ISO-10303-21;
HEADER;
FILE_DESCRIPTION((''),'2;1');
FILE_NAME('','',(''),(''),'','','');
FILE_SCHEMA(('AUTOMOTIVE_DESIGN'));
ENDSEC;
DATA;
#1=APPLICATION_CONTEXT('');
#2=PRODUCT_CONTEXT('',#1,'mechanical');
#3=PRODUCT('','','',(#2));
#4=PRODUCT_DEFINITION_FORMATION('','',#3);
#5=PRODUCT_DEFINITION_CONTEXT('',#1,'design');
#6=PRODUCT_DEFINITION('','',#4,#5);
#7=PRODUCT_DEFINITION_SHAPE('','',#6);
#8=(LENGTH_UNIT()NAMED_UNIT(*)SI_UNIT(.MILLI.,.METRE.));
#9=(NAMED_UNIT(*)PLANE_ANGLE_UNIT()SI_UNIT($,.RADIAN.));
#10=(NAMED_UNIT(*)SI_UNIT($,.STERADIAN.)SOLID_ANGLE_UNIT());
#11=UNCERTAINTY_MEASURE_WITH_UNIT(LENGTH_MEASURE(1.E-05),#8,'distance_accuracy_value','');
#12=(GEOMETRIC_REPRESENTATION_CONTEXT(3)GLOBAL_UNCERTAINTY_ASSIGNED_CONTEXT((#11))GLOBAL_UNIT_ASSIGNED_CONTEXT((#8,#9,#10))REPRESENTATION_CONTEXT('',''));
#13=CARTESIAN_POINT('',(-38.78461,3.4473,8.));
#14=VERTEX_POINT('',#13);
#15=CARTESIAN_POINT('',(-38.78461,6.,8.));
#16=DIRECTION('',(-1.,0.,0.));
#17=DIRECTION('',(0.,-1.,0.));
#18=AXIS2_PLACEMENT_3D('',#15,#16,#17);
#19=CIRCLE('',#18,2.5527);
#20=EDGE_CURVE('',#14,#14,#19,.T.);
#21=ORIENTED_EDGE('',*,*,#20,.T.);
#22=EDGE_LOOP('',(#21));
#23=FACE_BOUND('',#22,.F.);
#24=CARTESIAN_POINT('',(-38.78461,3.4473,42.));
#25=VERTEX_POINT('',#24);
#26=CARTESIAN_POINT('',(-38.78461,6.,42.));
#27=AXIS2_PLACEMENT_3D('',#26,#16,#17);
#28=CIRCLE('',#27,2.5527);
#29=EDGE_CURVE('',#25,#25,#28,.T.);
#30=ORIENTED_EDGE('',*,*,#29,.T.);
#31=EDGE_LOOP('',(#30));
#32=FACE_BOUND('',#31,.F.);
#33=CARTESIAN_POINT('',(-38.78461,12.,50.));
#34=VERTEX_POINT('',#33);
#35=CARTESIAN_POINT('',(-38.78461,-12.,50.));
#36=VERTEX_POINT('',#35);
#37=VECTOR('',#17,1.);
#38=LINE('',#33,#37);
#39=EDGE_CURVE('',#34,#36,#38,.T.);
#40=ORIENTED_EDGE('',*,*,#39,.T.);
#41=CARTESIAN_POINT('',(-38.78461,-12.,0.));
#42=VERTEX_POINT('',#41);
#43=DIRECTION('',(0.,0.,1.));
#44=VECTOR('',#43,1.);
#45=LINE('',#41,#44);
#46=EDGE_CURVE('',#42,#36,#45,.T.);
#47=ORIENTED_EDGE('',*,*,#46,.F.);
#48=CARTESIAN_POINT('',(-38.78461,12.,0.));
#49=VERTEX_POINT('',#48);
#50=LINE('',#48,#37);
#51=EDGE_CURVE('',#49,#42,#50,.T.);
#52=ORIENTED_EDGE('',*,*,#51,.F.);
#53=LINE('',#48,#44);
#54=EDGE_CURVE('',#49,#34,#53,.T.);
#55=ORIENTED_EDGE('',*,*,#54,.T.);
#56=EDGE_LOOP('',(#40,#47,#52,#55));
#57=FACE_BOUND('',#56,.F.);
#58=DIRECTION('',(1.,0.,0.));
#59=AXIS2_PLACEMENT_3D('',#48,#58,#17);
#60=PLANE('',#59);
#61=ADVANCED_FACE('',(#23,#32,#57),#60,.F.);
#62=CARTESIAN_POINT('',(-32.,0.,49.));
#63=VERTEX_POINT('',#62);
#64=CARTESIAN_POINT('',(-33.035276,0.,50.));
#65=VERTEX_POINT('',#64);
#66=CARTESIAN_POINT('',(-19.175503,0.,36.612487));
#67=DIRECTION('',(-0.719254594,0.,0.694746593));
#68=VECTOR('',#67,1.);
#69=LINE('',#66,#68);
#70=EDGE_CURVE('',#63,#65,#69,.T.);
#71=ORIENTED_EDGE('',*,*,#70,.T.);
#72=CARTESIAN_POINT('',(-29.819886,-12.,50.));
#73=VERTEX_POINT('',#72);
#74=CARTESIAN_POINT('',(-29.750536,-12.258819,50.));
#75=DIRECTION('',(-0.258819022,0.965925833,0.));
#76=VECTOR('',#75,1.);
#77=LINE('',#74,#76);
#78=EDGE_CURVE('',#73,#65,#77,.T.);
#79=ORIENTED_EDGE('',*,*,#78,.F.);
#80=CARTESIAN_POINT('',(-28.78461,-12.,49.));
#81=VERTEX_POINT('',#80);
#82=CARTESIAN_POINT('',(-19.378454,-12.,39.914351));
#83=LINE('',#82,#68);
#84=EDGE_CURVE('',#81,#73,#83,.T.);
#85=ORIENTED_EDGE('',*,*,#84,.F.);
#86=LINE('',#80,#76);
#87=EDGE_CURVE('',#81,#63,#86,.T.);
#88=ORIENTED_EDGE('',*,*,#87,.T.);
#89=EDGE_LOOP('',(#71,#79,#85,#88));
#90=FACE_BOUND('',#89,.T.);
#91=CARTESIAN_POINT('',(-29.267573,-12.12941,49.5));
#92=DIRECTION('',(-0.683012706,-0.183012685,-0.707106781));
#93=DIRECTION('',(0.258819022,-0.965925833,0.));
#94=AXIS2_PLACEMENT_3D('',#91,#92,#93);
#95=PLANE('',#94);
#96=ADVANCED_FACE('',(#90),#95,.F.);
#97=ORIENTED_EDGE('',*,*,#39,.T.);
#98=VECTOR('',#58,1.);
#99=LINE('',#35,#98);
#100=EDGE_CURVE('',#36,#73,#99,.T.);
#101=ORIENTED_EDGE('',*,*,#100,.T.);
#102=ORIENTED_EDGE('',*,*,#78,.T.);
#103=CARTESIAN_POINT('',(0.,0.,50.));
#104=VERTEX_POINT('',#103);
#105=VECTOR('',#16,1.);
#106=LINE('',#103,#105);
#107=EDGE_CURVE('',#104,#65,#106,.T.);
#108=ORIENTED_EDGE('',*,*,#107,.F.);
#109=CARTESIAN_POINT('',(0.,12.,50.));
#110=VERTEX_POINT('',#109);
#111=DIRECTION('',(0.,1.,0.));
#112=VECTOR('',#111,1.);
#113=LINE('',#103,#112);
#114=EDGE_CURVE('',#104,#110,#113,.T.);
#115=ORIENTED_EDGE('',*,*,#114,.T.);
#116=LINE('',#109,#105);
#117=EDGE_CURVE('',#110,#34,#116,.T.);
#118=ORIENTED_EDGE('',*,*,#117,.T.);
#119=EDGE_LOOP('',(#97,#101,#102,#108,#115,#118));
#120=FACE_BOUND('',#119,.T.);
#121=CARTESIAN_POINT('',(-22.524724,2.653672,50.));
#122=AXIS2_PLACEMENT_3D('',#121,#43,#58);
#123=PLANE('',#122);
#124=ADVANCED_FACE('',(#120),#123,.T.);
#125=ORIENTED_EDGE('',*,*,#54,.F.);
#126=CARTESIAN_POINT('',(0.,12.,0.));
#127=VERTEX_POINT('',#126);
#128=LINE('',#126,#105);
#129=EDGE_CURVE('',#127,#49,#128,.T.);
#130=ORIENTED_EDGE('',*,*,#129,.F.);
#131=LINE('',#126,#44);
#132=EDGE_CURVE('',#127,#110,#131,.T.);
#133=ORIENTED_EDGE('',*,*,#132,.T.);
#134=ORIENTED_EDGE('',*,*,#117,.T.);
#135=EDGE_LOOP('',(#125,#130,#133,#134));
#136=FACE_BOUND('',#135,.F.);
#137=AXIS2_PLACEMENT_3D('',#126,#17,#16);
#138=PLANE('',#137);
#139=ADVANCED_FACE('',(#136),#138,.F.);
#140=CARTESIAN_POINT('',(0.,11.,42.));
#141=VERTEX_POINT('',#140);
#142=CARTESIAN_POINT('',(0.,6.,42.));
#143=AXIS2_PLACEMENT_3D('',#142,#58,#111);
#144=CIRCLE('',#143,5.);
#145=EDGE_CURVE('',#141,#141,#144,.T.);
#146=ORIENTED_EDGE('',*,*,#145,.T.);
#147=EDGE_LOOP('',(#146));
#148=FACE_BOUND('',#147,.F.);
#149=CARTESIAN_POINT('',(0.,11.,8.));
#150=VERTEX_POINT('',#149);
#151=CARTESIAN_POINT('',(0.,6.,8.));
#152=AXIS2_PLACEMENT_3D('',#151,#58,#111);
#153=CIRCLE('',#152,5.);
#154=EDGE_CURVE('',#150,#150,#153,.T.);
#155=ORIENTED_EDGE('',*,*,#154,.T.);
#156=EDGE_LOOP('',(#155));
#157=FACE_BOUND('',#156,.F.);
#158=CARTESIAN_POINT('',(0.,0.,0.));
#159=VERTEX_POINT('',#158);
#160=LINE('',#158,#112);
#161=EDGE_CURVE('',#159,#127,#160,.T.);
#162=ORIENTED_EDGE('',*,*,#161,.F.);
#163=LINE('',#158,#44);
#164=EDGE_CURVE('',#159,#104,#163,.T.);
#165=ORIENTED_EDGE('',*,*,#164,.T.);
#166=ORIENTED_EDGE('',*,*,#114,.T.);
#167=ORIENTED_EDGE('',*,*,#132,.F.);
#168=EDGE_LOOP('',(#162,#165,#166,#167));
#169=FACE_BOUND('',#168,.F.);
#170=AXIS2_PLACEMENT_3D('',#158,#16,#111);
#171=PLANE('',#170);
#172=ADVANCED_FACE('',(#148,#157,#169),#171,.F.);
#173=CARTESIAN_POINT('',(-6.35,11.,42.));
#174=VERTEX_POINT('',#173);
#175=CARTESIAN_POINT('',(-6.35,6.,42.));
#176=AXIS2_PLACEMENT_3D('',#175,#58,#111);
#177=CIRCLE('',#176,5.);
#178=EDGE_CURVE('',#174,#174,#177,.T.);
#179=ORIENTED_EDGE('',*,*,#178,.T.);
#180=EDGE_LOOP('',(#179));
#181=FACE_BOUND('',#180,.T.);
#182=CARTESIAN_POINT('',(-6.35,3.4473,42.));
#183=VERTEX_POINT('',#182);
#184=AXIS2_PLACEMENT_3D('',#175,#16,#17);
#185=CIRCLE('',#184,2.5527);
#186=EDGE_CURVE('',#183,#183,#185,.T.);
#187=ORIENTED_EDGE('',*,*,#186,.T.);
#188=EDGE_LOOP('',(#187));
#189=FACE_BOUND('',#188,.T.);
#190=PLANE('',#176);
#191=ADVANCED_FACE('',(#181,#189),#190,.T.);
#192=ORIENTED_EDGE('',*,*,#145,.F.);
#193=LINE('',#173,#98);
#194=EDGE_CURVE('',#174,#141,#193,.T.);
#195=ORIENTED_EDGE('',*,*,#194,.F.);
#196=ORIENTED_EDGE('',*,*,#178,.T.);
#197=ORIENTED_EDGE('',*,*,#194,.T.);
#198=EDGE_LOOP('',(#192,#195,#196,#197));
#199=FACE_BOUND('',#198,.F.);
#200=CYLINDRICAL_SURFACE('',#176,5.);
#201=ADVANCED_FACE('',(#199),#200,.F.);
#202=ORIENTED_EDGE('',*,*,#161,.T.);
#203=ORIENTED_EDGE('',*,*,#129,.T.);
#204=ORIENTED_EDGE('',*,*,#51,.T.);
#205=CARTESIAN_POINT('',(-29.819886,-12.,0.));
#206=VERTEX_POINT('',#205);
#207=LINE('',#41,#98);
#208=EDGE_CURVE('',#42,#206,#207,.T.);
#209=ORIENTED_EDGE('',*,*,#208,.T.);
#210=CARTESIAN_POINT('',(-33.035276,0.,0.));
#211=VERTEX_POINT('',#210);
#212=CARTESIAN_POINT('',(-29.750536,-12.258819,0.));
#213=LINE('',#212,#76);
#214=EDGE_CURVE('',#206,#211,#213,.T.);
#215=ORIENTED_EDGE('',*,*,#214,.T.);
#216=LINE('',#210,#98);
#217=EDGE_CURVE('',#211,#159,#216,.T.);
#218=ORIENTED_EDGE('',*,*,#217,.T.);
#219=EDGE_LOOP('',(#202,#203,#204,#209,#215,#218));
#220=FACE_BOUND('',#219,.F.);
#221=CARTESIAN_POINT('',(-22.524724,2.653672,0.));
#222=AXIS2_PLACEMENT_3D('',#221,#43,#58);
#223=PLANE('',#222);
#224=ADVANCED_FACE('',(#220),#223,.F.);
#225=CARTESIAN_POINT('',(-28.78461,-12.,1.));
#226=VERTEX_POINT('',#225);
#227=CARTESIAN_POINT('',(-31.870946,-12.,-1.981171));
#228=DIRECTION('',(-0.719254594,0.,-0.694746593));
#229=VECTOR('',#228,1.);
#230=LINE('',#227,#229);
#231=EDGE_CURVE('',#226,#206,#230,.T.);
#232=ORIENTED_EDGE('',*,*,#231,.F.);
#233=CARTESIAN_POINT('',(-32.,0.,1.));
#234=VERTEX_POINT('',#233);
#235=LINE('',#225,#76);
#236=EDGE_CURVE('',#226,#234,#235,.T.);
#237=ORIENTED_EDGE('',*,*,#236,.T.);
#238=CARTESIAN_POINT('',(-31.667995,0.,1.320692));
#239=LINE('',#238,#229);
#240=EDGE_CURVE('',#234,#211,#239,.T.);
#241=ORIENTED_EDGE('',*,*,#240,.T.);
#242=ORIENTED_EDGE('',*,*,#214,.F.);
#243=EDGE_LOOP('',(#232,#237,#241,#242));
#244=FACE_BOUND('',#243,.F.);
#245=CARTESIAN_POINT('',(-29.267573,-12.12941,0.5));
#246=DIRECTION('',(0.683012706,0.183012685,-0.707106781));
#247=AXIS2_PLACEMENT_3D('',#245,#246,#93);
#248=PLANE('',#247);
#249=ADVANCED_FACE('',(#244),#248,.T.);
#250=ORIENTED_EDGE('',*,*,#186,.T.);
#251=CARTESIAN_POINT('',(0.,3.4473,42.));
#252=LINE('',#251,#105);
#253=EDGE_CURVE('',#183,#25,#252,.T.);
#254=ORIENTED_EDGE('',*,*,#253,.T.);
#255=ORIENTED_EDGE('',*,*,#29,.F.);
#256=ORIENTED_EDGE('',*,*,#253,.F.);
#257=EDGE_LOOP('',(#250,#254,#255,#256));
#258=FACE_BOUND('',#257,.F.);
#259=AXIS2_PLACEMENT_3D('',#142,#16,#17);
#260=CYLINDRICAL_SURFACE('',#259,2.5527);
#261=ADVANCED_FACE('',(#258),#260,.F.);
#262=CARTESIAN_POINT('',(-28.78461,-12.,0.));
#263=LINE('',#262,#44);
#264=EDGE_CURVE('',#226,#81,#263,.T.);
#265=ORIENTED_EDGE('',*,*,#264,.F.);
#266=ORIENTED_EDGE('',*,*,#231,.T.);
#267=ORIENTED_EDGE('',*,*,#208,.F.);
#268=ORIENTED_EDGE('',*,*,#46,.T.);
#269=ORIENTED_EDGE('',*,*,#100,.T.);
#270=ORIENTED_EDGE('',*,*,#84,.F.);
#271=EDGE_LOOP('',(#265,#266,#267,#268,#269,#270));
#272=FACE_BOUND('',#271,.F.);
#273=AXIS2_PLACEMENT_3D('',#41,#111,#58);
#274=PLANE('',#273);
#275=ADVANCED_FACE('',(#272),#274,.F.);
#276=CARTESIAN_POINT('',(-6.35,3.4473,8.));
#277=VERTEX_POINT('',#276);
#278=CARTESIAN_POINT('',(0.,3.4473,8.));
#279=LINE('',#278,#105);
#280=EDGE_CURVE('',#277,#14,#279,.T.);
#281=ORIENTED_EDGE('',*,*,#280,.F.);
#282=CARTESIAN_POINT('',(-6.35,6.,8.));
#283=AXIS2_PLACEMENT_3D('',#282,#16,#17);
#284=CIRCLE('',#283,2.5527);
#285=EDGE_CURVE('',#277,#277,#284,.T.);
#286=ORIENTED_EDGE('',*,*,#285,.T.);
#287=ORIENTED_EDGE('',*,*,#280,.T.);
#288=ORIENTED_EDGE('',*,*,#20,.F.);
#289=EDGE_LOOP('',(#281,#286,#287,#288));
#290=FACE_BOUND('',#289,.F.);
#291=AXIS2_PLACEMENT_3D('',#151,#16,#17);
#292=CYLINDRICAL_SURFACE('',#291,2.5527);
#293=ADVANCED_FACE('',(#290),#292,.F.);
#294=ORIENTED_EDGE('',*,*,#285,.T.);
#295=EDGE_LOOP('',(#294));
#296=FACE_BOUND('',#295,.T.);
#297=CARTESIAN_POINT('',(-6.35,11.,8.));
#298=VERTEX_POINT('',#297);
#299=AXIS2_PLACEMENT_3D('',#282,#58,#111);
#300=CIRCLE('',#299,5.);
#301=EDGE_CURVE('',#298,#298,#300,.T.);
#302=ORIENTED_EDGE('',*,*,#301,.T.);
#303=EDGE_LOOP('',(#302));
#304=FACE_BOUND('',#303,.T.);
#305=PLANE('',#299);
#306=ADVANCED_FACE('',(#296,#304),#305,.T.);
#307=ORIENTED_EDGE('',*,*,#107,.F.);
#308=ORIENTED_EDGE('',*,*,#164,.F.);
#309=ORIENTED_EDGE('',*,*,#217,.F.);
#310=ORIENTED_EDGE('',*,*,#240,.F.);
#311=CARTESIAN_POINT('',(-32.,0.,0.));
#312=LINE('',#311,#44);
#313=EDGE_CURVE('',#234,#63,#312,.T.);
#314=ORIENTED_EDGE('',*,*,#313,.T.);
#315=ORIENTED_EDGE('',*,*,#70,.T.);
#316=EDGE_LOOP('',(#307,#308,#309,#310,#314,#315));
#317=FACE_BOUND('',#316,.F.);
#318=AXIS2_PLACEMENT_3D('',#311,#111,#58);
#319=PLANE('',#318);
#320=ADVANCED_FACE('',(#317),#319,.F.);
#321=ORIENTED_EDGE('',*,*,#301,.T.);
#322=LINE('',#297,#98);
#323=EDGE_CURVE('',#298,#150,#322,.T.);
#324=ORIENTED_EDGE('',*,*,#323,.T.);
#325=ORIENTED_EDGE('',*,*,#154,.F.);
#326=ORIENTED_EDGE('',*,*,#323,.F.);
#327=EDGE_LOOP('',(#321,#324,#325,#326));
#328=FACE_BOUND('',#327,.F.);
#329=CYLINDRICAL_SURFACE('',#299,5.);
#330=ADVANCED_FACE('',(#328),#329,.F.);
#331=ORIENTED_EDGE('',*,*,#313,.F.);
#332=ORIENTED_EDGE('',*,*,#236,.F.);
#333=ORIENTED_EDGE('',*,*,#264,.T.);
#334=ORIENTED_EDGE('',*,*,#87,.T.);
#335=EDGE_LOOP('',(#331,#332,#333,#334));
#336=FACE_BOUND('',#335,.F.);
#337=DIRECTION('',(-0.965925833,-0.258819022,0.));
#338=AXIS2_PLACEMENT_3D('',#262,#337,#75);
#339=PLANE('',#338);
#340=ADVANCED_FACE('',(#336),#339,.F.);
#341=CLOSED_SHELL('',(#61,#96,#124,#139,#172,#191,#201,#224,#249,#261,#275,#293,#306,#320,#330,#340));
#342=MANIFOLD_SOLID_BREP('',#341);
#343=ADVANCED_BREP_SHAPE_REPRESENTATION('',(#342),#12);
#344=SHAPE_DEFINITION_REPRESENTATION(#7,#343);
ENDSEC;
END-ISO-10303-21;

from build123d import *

# Parameters (mm, degrees)
F1_DEPTH       = 50
F3_D           = 5.1054
F3_CBORE_D     = 10
F3_CBORE_DEPTH = 6.35
F4_SIZE        = 1


with BuildPart() as f1:
    # F0 (on Top) → F1 (new body)
    with BuildSketch(Plane.XY):
        Polygon((-32, 0), (0, 0), (0, 12), (-38.78461, 12), (-38.78461, -12), (-28.78461, -12), align=None)
    extrude(amount=F1_DEPTH)

    # F3 (through all)
    with Locations(Plane.YZ):
        with Locations((6, 42), (6, 8)):
            CounterBoreHole(F3_D / 2, F3_CBORE_D / 2, F3_CBORE_DEPTH)

    # F4
    f4_edges = [f1.edges().sort_by_distance(p)[0] for p in [
        (-30.392305, -6, 50),
        (-30.392305, -6, 0),
    ]]
    chamfer(f4_edges, length=F4_SIZE)


solid = f1.part
